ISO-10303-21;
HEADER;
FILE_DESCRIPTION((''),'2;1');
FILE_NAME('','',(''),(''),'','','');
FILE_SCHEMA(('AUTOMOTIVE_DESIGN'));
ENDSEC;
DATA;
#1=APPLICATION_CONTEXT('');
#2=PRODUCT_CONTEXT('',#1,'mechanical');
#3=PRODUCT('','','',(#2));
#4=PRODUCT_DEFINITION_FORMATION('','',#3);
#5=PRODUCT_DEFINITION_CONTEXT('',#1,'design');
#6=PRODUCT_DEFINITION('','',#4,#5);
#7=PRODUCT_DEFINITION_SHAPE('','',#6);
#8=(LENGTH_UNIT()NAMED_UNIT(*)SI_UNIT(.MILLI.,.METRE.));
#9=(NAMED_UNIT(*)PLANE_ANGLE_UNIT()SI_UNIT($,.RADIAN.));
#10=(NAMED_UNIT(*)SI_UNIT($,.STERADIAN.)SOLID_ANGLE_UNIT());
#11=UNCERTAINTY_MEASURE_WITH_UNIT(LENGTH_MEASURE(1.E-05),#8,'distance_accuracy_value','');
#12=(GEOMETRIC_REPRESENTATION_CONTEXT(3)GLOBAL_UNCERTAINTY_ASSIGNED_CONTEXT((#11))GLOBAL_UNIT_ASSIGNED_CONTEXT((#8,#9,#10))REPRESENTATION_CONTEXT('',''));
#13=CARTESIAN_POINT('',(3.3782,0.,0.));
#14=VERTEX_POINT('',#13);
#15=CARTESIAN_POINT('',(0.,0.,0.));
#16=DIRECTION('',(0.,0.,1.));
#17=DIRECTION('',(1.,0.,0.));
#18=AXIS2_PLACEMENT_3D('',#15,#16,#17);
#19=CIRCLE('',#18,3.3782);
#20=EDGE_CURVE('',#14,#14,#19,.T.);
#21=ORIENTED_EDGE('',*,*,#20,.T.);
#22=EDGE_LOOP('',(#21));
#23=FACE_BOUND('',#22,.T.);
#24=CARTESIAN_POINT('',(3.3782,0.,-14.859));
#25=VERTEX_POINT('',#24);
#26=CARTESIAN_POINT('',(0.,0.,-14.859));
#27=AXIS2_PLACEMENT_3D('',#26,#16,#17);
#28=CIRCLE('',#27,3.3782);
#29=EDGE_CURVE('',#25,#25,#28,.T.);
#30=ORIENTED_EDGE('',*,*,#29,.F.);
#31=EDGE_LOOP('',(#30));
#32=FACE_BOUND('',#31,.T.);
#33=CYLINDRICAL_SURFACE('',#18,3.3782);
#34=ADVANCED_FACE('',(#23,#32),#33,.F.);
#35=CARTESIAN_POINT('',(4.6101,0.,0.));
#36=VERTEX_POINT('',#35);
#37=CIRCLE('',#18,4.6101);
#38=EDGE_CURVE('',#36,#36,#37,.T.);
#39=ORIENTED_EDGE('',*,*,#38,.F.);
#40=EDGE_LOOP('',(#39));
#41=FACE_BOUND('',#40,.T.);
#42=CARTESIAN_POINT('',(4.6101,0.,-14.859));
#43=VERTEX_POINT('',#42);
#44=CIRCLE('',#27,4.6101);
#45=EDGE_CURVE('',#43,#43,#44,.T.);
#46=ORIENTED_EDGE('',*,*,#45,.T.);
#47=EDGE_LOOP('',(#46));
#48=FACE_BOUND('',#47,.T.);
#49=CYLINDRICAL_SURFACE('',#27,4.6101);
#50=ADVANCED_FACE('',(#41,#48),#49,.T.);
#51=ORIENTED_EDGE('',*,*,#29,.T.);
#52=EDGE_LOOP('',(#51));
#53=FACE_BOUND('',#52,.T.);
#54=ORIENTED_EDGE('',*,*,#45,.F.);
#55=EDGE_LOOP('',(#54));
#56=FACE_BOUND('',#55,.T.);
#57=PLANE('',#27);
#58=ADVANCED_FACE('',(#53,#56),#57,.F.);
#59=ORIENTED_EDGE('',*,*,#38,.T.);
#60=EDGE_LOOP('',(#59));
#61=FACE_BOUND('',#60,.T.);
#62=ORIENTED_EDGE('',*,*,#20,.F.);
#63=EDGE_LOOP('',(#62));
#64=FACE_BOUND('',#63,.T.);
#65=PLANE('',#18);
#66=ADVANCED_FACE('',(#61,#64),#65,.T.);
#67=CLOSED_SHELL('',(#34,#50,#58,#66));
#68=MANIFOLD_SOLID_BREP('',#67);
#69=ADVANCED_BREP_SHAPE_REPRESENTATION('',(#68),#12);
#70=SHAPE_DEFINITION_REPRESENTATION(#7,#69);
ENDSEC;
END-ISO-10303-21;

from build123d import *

# Parameters (mm, degrees)
SKETCH1_R                = 4.6101
BOSS_EXTRUDE1_DEPTH      = 14.859
H_0_266_DIAMETER_HOLE1_D = 6.7564


with BuildPart() as part:
    # Sketch1 → Boss-Extrude1 (new body)
    with BuildSketch(Plane.XY):
        Circle(SKETCH1_R)
    extrude(amount=-BOSS_EXTRUDE1_DEPTH)

    # H (0.266) Diameter Hole1 (through all)
    with Locations(Plane.XY):
        with Locations((0, 0)):
            Hole(H_0_266_DIAMETER_HOLE1_D / 2)


solid = part.part
